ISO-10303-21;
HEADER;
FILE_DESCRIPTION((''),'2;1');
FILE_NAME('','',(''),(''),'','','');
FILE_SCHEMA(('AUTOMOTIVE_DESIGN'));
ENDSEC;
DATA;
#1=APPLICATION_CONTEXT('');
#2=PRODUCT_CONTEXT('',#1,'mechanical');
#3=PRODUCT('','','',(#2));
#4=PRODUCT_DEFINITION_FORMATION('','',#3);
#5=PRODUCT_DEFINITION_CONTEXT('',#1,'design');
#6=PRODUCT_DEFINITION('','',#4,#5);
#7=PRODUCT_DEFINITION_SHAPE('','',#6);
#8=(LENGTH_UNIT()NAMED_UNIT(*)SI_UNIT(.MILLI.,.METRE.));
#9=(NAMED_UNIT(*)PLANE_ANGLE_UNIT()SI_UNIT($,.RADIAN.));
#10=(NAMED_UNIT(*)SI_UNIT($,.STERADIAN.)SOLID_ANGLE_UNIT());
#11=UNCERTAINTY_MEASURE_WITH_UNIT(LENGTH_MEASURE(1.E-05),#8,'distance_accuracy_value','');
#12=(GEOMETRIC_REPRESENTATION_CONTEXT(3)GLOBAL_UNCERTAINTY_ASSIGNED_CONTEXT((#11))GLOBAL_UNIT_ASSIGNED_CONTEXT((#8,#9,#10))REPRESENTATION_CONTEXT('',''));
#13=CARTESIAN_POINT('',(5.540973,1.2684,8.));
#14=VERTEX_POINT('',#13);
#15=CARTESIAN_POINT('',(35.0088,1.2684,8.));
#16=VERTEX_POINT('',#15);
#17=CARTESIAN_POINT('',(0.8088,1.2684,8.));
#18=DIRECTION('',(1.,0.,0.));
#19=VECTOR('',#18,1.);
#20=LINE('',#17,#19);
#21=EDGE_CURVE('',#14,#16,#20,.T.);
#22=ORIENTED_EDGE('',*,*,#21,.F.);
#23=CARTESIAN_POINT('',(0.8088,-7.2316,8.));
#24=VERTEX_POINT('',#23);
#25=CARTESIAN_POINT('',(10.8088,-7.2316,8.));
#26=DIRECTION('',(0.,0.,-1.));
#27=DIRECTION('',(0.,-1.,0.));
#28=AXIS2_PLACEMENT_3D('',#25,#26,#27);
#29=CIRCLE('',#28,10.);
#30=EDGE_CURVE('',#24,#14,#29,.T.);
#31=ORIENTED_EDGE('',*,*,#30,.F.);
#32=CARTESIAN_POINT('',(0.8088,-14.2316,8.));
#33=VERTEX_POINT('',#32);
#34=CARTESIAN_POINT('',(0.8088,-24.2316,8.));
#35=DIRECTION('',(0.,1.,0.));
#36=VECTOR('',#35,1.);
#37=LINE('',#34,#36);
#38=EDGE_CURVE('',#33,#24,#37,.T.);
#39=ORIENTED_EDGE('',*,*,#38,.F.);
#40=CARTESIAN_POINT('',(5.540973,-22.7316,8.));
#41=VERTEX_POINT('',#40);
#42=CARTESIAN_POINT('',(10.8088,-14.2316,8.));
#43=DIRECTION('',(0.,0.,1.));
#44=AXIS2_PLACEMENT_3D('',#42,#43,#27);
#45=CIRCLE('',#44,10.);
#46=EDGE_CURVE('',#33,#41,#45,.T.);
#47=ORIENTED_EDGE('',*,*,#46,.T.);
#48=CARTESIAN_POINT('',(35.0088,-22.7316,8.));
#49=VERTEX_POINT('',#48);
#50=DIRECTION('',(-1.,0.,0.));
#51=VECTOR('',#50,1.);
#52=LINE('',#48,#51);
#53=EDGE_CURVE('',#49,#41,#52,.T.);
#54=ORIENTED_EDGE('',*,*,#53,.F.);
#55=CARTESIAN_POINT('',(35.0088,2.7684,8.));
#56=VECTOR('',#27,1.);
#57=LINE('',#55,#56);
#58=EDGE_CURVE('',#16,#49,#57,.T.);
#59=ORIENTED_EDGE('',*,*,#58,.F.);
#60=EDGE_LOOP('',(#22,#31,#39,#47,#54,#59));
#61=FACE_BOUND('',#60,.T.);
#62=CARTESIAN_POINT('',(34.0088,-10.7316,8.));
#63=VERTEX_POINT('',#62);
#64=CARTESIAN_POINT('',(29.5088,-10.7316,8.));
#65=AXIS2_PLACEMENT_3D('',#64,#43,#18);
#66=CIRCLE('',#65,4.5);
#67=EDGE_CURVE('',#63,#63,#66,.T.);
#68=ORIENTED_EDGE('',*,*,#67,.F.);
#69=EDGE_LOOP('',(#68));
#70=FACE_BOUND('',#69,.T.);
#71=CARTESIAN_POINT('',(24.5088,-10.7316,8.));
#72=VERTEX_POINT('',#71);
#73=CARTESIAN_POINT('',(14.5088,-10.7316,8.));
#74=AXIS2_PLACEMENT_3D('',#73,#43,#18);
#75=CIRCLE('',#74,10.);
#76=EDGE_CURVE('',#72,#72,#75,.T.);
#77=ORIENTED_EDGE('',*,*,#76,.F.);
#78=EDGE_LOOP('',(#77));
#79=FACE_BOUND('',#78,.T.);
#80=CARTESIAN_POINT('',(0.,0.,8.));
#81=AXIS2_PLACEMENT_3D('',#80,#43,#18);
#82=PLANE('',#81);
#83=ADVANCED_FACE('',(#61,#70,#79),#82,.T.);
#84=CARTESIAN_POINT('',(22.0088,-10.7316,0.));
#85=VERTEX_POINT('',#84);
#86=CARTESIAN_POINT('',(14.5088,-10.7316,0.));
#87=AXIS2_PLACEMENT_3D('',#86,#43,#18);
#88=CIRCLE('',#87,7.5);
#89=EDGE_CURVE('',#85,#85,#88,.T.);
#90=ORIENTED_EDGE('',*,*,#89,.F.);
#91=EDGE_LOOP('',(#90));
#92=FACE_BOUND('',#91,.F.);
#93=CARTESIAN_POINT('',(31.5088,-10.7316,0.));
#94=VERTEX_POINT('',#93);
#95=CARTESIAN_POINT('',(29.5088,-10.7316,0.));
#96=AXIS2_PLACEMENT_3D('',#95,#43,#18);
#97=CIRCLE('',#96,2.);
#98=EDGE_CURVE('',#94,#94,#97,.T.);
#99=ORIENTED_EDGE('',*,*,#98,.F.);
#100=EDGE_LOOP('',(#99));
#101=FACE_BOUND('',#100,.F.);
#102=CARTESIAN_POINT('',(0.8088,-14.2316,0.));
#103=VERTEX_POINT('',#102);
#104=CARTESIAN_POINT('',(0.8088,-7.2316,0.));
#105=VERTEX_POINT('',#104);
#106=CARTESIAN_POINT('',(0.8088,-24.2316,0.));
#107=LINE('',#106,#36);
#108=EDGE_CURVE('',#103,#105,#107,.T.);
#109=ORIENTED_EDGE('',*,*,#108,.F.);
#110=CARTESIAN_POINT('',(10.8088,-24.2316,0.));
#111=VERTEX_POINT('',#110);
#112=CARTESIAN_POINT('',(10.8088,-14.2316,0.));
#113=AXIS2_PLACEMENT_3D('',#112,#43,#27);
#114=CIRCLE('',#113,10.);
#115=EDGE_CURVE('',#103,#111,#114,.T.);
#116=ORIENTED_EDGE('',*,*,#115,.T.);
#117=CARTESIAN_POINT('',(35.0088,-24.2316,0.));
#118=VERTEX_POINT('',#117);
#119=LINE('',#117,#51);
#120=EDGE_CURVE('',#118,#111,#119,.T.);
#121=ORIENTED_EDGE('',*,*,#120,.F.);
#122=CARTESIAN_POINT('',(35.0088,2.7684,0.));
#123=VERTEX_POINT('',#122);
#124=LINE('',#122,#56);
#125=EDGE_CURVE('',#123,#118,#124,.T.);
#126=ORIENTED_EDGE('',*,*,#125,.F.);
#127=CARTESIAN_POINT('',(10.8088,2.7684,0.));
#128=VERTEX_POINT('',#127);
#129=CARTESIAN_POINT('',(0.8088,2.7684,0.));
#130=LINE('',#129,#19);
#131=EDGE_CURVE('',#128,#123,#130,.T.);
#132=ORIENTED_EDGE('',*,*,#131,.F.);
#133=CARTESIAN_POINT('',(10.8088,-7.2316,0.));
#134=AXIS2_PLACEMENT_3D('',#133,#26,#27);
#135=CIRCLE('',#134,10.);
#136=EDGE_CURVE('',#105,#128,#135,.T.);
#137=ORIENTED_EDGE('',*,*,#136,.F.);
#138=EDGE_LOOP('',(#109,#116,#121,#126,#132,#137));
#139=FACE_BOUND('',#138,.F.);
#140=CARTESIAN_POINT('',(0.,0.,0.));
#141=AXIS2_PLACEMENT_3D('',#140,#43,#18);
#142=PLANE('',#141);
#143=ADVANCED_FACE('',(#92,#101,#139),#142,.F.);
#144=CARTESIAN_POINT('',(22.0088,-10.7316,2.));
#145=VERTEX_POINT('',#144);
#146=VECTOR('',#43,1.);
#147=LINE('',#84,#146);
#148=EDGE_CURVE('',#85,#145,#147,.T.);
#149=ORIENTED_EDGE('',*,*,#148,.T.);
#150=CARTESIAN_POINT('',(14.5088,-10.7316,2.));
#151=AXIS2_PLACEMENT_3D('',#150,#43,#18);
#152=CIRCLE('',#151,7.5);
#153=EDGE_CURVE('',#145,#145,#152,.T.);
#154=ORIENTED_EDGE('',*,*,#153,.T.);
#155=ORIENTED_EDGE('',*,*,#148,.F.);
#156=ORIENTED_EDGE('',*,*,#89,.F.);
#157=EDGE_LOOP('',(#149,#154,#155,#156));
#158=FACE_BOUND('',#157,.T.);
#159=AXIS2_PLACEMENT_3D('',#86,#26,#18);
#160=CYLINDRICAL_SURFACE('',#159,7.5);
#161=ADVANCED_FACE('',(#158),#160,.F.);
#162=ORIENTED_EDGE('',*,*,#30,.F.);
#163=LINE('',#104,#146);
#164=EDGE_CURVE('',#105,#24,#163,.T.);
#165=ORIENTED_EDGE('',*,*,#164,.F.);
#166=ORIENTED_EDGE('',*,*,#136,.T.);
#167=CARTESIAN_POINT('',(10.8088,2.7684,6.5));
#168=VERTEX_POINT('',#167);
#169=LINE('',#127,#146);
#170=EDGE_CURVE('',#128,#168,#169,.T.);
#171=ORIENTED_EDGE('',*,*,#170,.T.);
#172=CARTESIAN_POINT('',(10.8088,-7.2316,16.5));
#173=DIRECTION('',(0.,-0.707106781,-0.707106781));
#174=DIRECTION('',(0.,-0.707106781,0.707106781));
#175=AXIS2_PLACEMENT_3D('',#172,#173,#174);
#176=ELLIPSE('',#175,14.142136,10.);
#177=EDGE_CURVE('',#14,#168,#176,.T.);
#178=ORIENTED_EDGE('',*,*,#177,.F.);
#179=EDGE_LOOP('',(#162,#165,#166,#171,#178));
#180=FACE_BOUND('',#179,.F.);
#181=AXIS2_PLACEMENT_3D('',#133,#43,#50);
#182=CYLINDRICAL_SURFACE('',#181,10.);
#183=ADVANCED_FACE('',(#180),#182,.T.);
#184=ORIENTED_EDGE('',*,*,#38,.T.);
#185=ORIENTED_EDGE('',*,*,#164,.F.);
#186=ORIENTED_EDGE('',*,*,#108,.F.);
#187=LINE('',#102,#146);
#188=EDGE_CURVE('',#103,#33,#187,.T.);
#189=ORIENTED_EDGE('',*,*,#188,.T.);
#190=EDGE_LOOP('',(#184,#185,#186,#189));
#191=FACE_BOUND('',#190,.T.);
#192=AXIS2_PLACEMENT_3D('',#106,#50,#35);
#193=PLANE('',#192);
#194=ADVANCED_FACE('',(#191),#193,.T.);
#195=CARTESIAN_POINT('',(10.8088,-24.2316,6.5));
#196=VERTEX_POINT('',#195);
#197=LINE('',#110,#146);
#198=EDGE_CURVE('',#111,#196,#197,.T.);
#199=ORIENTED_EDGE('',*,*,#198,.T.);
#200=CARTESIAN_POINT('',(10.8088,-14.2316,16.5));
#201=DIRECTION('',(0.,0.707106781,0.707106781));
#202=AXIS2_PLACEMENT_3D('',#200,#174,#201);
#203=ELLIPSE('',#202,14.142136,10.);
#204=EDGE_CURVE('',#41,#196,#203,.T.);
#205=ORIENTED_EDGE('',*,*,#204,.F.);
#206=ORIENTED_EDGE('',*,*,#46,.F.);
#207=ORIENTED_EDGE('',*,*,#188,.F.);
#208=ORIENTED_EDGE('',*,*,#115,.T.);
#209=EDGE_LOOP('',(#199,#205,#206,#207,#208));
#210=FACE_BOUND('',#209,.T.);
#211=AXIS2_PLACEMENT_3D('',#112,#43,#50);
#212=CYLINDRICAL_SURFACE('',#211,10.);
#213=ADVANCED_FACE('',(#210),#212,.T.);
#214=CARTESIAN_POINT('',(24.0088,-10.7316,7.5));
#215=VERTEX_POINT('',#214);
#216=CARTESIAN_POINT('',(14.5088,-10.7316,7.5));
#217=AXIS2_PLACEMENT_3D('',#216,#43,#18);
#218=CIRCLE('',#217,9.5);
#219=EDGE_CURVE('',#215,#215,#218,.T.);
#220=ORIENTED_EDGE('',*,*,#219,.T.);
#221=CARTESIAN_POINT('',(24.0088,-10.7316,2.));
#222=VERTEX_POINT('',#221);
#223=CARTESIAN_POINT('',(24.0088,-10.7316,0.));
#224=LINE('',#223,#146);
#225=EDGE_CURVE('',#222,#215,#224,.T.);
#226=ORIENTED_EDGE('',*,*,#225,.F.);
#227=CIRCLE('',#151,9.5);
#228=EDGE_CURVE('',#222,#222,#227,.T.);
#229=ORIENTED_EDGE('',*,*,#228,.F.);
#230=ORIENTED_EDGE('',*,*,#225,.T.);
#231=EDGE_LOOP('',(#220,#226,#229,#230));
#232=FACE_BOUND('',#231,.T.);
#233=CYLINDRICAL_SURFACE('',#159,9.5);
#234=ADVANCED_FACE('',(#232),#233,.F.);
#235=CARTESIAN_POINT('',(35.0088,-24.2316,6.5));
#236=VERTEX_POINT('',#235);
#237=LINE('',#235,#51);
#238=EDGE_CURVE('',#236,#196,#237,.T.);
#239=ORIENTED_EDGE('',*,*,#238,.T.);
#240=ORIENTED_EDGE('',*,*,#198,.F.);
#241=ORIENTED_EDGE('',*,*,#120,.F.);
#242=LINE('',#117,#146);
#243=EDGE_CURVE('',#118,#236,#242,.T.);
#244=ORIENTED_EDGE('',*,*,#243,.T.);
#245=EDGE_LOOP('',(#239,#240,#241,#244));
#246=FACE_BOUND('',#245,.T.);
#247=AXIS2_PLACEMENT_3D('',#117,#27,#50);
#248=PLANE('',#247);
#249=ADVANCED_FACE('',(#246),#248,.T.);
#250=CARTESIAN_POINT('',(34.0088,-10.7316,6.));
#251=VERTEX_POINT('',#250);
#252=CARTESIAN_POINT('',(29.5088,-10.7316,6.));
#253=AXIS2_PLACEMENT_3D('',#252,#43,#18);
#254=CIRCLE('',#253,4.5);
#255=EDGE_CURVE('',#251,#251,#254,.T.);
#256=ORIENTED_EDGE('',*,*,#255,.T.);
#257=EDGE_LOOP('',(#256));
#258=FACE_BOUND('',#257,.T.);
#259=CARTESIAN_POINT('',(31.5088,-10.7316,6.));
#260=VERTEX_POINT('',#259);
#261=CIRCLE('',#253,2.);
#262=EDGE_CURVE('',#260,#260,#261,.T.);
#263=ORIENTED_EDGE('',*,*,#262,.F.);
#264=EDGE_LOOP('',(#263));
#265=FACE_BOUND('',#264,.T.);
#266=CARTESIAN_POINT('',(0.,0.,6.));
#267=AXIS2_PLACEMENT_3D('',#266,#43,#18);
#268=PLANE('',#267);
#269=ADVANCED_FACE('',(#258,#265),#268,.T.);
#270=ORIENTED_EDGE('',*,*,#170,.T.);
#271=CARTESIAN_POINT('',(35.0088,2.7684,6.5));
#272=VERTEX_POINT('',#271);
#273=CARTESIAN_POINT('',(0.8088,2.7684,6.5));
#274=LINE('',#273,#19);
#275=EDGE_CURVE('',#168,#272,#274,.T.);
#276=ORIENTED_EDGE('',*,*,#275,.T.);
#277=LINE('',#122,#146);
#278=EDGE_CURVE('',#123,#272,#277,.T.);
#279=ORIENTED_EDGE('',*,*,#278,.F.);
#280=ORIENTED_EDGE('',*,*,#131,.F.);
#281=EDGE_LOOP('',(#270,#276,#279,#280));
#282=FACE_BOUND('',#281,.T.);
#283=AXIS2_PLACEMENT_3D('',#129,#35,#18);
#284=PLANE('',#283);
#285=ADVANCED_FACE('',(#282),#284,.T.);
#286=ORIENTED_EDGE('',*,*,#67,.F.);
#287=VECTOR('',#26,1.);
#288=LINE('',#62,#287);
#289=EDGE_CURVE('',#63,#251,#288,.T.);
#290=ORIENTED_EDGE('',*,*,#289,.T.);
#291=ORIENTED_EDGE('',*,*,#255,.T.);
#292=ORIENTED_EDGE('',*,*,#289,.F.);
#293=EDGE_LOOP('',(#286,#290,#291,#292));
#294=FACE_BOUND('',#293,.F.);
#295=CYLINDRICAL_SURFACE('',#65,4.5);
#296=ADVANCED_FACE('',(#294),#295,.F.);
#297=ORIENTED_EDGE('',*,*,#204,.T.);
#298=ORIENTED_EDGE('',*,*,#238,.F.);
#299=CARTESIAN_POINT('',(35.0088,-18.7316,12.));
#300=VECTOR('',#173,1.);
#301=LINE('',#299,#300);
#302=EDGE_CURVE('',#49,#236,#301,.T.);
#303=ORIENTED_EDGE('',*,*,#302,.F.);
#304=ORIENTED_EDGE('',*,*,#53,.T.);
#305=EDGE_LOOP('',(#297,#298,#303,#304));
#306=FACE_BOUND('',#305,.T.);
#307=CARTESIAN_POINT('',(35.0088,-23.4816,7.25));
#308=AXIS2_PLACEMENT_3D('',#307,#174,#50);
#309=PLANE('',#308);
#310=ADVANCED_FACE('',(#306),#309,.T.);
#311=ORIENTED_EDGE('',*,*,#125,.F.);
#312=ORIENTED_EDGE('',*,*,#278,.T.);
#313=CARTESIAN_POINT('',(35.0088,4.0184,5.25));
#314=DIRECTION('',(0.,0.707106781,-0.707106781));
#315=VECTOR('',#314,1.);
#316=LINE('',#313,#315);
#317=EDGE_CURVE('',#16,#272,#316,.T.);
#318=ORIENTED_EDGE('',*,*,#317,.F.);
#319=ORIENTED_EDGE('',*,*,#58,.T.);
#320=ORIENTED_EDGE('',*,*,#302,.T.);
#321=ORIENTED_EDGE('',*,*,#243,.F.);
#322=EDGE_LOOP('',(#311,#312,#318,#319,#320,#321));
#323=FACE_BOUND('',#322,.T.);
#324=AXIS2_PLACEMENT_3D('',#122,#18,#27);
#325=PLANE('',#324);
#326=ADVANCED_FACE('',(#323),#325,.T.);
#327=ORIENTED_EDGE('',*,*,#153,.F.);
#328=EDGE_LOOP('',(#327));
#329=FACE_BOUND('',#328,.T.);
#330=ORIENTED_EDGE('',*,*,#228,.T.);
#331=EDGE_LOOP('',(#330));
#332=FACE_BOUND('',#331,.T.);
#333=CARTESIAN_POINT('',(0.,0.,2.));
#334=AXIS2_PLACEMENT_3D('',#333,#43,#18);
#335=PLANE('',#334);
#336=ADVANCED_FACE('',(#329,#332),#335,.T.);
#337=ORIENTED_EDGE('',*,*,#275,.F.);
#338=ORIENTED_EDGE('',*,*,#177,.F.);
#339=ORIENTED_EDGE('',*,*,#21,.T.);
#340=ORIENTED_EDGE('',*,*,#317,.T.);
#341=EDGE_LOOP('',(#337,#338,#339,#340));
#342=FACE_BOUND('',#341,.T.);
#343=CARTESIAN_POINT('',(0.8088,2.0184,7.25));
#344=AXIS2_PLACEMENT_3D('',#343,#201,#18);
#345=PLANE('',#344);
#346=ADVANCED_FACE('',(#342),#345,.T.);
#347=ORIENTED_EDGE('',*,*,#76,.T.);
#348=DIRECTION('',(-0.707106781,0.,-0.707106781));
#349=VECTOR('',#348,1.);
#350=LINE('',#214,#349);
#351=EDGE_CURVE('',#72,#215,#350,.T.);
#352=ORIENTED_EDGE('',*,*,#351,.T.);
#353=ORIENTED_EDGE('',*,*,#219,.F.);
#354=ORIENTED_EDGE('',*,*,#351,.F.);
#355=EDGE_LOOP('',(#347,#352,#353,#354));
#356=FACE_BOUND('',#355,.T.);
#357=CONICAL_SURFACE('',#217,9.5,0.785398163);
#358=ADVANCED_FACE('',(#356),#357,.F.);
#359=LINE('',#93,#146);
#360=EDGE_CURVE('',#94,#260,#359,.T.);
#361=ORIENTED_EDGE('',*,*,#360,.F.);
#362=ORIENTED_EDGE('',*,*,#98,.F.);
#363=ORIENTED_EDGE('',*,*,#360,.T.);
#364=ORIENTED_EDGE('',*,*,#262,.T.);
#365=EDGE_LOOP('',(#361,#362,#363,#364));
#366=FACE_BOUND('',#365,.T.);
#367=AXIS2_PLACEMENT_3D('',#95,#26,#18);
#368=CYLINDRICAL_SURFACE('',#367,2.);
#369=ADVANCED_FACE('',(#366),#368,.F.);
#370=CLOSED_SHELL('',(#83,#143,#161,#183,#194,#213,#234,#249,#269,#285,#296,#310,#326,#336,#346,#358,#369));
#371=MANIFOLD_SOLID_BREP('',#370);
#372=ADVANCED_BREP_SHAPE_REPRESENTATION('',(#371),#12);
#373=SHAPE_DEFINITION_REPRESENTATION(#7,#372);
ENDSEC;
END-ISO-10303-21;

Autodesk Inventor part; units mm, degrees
ref_plane "YZ Plane" through (0, 0, 0) normal (1, 0, 0) x (0, 1, 0)
ref_plane "XZ Plane" through (0, 0, 0) normal (0, 1, 0) x (-1, 0, 0)
ref_plane "XY Plane" through (0, 0, 0) normal (0, 0, 1) x (1, 0, 0)
sketch "Szkic1" plane through (0, 0, 0) normal (0, 0, 1) x (1, 0, 0)
  line L0 (0.8088, 2.7684) -> (35.0088, 2.7684)
  line L1 (35.0088, 2.7684) -> (35.0088, -24.2316)
  line L2 (35.0088, -24.2316) -> (0.8088, -24.2316)
  line L3 (0.8088, -24.2316) -> (0.8088, 2.7684)
  circle A0 centre (14.5088, -10.7316) radius 9.5
  circle A1 centre (29.5088, -10.7316) radius 2
  circle A2 centre (14.5088, -10.7316) radius 7.5
  point P0 (0, 0)
  dimension "d0" = 34.2
  dimension "d1" = 27
  dimension "d2" = 13.5
  dimension "d3" = 20.5
  dimension "d4" = 19
  dimension "d5" = 13.5
  dimension "d7" = 4
  dimension "d11" = 5.5
  dimension "d14" = 13.5
  dimension "d15" = 2
extrude "Wyciągnięcie proste1" add sketch "Szkic1" along normal blind 8 contours L0 L1 L2 L3
extrude "Wyciągnięcie proste2" add sketch "Szkic1" along normal blind 2 contours A0
chamfer "Faza1" distance 0.5 angle 45 1 edges at (5.0088, -10.7316, 8)
chamfer "Faza2" distance 1.5 angle 45 2 edges at (17.9088, 2.7684, 8) (17.9088, -24.2316, 8)
sketch "Szkic2" plane through (0, 0, 8) normal (0, 0, 1) x (1, 0, 0)
  circle A0 centre (29.5088, -10.7316) radius 2 projected
  circle A1 centre (29.5088, -10.7316) radius 4.5
  point P0 (0, 0)
  dimension "d30" = 9
extrude "Wyciągnięcie proste5" cut sketch "Szkic2" against normal blind 2
fillet "Zaokrąglenie1" radius 10 2 edges at (0.8088, -24.2316, 3.25) (0.8088, 2.7684, 3.25)
properties part number "3DP_ABS_Y_Axis_Pulley_Rod_Side_Bearing_Block"
